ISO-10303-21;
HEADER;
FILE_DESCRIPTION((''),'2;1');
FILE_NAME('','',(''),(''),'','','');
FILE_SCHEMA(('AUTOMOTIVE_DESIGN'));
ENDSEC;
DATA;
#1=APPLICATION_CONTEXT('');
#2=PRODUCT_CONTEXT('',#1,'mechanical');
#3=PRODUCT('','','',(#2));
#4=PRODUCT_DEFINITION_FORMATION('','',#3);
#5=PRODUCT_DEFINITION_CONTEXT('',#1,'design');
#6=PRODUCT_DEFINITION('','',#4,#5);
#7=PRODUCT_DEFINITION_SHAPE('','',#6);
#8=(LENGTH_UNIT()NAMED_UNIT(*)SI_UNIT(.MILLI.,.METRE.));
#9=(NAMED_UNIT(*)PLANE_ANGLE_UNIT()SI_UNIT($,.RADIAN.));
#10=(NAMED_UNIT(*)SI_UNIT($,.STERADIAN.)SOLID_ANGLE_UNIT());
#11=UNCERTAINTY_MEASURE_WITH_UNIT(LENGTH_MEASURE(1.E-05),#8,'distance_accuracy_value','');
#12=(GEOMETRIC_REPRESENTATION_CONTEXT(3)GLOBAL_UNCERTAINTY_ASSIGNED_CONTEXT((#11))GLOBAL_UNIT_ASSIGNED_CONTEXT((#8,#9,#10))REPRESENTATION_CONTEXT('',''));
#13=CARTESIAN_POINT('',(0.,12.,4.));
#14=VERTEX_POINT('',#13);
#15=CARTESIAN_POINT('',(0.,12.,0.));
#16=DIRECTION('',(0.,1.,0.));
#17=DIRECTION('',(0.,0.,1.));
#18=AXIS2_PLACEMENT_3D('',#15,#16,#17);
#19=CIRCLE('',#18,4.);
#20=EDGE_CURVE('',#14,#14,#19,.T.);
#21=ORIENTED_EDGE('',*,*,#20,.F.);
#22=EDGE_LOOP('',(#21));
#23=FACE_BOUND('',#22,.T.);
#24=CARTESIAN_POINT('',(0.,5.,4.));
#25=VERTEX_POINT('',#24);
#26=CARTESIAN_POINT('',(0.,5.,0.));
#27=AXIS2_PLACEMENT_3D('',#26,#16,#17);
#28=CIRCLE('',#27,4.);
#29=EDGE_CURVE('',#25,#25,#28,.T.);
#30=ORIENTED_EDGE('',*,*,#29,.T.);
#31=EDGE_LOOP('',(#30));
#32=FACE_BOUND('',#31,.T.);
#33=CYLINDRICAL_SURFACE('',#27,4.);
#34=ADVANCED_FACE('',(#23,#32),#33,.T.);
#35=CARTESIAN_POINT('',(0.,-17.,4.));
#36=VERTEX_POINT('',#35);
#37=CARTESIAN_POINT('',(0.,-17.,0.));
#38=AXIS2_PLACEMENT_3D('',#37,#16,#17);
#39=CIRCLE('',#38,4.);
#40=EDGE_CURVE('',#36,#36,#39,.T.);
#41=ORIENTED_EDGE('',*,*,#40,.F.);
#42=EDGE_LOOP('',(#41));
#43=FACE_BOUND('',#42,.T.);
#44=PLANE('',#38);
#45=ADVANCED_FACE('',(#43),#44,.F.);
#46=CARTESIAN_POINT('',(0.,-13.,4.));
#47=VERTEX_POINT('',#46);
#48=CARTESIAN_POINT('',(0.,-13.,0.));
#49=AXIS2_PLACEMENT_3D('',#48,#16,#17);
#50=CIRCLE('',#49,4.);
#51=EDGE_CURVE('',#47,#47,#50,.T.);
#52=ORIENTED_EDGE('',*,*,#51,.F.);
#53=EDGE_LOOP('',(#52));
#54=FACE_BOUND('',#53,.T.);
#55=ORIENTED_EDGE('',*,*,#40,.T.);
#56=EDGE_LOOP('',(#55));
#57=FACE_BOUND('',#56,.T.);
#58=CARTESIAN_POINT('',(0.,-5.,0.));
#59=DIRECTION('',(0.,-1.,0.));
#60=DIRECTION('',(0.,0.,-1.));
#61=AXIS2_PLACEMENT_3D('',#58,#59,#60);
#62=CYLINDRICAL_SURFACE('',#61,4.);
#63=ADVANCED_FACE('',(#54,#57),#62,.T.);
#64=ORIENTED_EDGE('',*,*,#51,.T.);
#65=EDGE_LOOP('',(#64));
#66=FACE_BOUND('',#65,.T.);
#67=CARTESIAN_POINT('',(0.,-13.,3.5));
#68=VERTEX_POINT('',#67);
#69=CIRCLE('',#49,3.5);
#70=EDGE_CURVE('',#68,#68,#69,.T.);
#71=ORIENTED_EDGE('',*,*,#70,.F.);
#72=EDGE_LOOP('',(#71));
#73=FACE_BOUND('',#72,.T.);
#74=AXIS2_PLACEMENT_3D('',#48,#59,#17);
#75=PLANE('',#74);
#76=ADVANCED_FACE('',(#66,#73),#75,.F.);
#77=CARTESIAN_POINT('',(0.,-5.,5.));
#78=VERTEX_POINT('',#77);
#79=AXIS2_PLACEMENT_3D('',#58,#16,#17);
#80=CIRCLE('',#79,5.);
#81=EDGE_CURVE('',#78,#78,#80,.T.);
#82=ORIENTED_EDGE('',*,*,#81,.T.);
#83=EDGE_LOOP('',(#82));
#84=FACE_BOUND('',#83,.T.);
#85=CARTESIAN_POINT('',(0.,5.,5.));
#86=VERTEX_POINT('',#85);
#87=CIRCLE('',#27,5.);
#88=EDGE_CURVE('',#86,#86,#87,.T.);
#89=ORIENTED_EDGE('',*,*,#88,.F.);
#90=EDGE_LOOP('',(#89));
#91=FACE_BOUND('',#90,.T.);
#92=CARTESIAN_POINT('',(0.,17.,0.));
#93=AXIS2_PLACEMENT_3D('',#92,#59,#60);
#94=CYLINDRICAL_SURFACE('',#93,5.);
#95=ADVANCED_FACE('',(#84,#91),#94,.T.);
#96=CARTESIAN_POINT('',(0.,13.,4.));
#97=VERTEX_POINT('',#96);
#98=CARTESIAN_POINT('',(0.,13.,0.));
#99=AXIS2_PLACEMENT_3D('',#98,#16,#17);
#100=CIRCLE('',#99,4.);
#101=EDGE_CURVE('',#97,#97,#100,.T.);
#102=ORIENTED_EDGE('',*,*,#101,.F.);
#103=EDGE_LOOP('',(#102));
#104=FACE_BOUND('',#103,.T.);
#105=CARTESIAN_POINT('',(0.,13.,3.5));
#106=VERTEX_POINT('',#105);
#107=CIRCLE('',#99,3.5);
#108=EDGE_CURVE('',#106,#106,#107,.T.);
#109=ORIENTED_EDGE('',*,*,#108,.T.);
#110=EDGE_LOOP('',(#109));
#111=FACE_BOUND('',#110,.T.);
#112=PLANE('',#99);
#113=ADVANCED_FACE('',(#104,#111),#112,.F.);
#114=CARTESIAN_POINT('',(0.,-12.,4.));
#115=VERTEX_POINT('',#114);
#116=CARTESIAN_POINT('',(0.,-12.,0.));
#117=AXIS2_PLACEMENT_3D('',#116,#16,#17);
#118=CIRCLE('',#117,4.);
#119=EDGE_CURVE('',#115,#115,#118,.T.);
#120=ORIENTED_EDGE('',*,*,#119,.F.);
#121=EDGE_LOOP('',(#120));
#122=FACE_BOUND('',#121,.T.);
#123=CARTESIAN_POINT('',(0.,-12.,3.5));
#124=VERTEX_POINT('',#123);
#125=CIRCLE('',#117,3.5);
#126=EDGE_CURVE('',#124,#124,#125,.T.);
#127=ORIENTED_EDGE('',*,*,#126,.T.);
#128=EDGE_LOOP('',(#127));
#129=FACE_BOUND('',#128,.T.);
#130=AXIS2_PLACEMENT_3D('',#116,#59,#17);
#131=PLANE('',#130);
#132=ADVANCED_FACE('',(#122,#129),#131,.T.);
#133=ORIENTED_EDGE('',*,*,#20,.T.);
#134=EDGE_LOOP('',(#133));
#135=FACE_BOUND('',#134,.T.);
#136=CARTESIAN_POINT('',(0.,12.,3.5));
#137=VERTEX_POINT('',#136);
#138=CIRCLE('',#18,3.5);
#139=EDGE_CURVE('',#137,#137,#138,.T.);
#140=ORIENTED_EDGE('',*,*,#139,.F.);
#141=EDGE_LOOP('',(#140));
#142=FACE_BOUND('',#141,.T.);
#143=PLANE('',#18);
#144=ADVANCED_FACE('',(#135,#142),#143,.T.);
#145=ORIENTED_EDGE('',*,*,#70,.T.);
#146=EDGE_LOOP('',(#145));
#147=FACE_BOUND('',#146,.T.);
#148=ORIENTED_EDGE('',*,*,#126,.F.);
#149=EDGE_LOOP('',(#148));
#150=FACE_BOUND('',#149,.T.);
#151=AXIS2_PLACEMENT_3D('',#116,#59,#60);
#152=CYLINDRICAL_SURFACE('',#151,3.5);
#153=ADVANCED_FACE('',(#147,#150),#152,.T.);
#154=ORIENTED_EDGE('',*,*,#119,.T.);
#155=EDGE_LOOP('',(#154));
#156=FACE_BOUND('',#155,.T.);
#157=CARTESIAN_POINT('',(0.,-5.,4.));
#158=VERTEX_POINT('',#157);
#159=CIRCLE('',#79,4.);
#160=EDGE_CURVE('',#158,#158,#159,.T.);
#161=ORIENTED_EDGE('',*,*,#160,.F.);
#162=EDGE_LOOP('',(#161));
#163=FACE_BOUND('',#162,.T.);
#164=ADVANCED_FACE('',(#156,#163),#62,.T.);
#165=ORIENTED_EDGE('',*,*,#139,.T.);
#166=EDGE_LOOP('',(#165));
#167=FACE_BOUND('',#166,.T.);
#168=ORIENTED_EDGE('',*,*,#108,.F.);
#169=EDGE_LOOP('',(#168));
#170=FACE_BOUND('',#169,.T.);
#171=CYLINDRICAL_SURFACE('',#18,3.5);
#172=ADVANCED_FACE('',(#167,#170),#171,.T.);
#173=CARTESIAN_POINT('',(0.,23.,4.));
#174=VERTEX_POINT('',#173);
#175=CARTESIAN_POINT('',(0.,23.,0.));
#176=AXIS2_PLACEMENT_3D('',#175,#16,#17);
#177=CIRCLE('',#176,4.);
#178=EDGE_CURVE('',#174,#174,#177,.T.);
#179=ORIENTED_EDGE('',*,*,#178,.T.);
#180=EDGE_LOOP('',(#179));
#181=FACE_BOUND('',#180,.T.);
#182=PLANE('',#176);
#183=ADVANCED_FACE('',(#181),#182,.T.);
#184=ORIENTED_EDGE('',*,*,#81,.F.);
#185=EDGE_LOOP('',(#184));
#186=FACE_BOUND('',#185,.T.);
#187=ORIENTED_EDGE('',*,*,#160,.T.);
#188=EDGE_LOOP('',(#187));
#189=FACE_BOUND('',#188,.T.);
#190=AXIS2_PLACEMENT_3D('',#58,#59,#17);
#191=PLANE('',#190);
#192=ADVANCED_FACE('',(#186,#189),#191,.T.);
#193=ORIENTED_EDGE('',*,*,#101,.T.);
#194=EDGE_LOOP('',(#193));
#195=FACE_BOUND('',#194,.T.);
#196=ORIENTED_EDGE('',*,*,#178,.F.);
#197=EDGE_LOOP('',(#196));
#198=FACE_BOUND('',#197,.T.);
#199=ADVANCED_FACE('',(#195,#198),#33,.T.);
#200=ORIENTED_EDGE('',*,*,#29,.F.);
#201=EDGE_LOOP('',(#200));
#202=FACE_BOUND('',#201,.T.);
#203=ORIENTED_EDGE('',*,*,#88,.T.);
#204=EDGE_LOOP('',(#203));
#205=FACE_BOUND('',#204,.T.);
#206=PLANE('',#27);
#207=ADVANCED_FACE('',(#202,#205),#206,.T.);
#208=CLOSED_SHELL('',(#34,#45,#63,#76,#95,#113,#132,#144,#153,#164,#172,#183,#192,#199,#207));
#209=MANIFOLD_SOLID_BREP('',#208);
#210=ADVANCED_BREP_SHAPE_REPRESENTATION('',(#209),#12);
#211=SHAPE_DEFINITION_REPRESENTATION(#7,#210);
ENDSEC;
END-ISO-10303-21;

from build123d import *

# Parameters (mm, degrees)
SKETCH1_R           = 5
BOSS_EXTRUDE1_DEPTH = 17
SKETCH2_R           = 5
SKETCH2_R_2         = 4
CUT_EXTRUDE1_DEPTH  = 12
CUT_EXTRUDE2_START  = -4
SKETCH3_R           = 4
SKETCH3_R_2         = 3.5
CUT_EXTRUDE2_DEPTH  = 1
SKETCH4_R           = 4
BOSS_EXTRUDE2_DEPTH = 6


with BuildPart() as part:
    # Sketch1 → Boss-Extrude1 (new, symmetric)
    with BuildSketch(Plane(origin=(0, 0, 0), x_dir=(1, 0, 0), z_dir=(0, 1, 0))):
        with Locations(Location((0, 0, 0), (0, 0, 270))):
            Circle(SKETCH1_R)
    extrude(amount=BOSS_EXTRUDE1_DEPTH, both=True)

    # Sketch2 → Cut-Extrude1 (cut)
    with BuildSketch(Plane(origin=(0, 17, 0), x_dir=(1, 0, 0), z_dir=(0, 1, 0))):
        with Locations(Location((0, 0, 0), (0, 0, 270))):
            Circle(SKETCH2_R)
        with Locations(Location((0, 0, 0), (0, 0, 270))):
            Circle(SKETCH2_R_2, mode=Mode.SUBTRACT)
    cut_extrude1 = extrude(amount=-CUT_EXTRUDE1_DEPTH, mode=Mode.SUBTRACT)

    # Mirror1: Cut-Extrude1 across plane
    add(cut_extrude1.mirror(Plane.ZX), mode=Mode.SUBTRACT)

    # Sketch3 → Cut-Extrude2 (cut)
    with BuildSketch(Plane(origin=(0, 17, 0), x_dir=(1, 0, 0), z_dir=(0, 1, 0)).offset(CUT_EXTRUDE2_START)):
        with Locations(Location((0, 0, 0), (0, 0, 270))):
            Circle(SKETCH3_R)
        with Locations(Location((0, 0, 0), (0, 0, 270))):
            Circle(SKETCH3_R_2, mode=Mode.SUBTRACT)
    cut_extrude2 = extrude(amount=-CUT_EXTRUDE2_DEPTH, mode=Mode.SUBTRACT)

    # Mirror2: Cut-Extrude2 across plane
    add(cut_extrude2.mirror(Plane.ZX), mode=Mode.SUBTRACT)

    # Sketch4 → Boss-Extrude2 (add)
    with BuildSketch(Plane(origin=(0, 17, 0), x_dir=(1, 0, 0), z_dir=(0, 1, 0))):
        with Locations(Location((0, 0, 0), (0, 0, 270))):
            Circle(SKETCH4_R)
    extrude(amount=BOSS_EXTRUDE2_DEPTH)


solid = part.part
